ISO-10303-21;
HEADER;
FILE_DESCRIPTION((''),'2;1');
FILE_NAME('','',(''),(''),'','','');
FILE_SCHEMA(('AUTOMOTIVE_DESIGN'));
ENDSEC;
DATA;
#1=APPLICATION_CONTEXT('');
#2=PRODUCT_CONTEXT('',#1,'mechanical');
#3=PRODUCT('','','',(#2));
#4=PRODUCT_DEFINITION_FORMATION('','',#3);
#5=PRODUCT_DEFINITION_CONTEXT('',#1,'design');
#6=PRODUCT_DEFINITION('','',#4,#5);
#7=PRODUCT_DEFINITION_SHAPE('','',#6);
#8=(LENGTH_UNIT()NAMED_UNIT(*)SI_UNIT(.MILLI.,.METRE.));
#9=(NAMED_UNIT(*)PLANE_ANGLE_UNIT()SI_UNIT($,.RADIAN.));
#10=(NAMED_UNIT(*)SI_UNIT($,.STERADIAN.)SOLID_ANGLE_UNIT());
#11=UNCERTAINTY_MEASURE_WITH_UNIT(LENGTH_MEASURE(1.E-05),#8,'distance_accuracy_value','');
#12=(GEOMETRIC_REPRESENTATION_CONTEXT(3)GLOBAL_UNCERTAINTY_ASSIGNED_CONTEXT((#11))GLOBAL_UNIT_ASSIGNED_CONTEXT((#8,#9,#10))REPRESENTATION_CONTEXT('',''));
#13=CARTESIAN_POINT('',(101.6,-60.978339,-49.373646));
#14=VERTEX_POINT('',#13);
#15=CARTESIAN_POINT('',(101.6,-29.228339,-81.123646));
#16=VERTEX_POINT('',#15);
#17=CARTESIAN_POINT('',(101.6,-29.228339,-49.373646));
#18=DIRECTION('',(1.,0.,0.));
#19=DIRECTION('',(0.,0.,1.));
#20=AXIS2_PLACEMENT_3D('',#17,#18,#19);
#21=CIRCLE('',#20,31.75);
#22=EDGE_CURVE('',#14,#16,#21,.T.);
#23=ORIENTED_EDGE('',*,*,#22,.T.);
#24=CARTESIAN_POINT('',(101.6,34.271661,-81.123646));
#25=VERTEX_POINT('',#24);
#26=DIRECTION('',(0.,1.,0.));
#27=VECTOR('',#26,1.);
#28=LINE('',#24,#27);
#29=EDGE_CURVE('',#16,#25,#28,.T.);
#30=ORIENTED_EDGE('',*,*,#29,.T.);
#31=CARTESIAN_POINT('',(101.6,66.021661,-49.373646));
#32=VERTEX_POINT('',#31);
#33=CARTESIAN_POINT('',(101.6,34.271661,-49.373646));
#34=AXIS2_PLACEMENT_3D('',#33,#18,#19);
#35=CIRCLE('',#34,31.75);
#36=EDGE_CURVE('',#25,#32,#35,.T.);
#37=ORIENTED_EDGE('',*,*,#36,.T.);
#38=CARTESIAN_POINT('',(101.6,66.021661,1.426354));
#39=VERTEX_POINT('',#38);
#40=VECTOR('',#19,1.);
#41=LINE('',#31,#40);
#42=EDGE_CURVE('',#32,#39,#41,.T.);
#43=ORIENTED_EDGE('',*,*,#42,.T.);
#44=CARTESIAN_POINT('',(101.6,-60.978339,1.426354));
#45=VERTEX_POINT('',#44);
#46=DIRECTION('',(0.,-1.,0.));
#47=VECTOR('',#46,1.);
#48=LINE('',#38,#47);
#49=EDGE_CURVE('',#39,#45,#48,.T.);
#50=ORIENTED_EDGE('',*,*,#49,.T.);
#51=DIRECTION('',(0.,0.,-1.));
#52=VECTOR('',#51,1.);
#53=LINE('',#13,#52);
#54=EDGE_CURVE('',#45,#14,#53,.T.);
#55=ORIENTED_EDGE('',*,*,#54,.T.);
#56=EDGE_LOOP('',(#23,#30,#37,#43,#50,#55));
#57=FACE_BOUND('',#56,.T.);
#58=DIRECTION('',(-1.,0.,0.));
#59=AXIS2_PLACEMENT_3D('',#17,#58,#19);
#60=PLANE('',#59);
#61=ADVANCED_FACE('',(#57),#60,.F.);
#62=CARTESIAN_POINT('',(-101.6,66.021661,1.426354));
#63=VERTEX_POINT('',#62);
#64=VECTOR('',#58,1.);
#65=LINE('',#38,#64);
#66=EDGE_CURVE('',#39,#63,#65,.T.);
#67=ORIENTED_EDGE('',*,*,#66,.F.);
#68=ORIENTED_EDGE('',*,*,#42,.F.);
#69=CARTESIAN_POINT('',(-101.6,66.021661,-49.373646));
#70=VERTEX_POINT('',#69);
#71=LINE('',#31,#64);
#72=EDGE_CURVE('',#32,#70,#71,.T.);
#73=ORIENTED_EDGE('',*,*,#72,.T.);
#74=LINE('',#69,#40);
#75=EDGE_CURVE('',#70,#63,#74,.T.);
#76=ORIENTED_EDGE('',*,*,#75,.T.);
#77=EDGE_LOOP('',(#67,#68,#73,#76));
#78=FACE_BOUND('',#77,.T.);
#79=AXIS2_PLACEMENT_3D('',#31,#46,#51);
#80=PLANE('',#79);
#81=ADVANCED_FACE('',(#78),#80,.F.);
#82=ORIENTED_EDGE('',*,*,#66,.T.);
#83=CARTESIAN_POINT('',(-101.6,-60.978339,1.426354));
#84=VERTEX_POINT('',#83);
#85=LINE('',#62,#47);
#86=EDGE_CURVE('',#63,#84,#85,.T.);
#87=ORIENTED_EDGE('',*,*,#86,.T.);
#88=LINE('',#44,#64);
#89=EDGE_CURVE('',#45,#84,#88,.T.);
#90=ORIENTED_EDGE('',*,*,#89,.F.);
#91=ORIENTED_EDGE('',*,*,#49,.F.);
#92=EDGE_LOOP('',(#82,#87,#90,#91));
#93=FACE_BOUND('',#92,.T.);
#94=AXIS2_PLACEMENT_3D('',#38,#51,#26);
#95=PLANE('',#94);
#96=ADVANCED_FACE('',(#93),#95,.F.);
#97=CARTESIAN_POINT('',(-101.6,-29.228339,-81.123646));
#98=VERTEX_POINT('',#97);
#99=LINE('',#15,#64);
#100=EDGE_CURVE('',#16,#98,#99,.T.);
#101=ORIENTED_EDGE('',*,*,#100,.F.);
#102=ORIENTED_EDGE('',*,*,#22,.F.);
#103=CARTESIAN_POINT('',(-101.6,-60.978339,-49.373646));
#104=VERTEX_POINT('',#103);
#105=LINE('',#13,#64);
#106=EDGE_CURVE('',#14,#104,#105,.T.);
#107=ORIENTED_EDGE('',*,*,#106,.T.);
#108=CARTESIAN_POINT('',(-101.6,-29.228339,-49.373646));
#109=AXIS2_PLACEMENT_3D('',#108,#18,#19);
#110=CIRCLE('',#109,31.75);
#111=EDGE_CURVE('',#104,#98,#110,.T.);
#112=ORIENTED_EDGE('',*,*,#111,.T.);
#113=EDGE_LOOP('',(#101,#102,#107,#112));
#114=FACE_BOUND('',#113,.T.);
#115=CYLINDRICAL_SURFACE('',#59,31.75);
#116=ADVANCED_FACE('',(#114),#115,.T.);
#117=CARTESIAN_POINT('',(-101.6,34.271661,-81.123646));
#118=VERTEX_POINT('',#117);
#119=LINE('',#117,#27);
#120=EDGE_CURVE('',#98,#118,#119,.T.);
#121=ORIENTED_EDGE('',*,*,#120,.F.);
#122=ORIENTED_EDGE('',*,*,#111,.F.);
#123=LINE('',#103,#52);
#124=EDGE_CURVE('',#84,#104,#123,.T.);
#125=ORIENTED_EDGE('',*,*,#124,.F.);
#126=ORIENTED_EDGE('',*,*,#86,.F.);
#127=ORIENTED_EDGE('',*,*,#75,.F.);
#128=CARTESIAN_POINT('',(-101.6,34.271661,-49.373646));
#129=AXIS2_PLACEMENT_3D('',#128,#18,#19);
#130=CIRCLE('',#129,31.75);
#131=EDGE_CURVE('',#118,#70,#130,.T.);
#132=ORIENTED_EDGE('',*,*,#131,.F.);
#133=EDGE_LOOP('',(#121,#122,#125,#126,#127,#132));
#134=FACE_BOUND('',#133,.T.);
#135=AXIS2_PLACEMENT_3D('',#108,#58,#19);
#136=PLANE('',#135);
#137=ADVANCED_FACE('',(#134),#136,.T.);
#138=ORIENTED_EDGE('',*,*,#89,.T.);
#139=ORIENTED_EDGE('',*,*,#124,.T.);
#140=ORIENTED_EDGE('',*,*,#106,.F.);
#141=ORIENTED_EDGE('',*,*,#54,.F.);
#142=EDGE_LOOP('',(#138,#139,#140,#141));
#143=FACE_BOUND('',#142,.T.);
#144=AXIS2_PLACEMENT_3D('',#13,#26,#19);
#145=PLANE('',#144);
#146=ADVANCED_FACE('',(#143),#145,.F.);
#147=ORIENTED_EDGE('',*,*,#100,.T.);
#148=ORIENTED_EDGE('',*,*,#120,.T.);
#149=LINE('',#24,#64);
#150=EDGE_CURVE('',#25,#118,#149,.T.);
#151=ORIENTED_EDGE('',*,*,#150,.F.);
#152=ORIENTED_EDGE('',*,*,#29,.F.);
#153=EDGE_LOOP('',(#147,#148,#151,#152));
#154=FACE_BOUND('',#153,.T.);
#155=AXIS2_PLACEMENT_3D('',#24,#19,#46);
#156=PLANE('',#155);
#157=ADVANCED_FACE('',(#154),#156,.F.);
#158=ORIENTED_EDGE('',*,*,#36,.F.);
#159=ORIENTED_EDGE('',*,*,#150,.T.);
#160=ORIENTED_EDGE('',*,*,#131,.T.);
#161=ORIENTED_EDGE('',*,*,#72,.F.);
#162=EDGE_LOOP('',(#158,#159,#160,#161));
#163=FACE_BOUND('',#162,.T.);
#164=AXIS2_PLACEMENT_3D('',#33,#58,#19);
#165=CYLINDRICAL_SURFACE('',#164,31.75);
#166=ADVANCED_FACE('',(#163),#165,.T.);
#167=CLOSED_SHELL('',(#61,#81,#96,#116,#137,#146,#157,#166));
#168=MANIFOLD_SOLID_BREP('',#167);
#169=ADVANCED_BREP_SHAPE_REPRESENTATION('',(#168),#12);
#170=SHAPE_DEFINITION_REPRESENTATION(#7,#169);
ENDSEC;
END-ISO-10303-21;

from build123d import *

# Parameters (mm, degrees)
BOSS_EXTRUDE1_DEPTH = 101.6


with BuildPart() as part:
    # Sketch1 → Boss-Extrude1 (new body, symmetric)
    with BuildSketch(Plane(origin=(0, 0, 0), x_dir=(0, 0, -1), z_dir=(1, 0, 0))):
        with BuildLine():
            Line((49.373646209, 66.02166065), (-1.426353791, 66.02166065))
            Line((-1.426353791, 66.02166065), (-1.426353791, -60.97833935))
            Line((-1.426353791, -60.97833935), (49.373646209, -60.97833935))
            ThreePointArc((49.373646209, -60.97833935), (71.824286512, -51.678979653), (81.123646209, -29.22833935))
            Line((81.123646209, -29.22833935), (81.123646209, 34.27166065))
            ThreePointArc((81.123646209, 34.27166065), (71.824286512, 56.722300952), (49.373646209, 66.02166065))
        make_face()
    extrude(amount=BOSS_EXTRUDE1_DEPTH, both=True)


solid = part.part
